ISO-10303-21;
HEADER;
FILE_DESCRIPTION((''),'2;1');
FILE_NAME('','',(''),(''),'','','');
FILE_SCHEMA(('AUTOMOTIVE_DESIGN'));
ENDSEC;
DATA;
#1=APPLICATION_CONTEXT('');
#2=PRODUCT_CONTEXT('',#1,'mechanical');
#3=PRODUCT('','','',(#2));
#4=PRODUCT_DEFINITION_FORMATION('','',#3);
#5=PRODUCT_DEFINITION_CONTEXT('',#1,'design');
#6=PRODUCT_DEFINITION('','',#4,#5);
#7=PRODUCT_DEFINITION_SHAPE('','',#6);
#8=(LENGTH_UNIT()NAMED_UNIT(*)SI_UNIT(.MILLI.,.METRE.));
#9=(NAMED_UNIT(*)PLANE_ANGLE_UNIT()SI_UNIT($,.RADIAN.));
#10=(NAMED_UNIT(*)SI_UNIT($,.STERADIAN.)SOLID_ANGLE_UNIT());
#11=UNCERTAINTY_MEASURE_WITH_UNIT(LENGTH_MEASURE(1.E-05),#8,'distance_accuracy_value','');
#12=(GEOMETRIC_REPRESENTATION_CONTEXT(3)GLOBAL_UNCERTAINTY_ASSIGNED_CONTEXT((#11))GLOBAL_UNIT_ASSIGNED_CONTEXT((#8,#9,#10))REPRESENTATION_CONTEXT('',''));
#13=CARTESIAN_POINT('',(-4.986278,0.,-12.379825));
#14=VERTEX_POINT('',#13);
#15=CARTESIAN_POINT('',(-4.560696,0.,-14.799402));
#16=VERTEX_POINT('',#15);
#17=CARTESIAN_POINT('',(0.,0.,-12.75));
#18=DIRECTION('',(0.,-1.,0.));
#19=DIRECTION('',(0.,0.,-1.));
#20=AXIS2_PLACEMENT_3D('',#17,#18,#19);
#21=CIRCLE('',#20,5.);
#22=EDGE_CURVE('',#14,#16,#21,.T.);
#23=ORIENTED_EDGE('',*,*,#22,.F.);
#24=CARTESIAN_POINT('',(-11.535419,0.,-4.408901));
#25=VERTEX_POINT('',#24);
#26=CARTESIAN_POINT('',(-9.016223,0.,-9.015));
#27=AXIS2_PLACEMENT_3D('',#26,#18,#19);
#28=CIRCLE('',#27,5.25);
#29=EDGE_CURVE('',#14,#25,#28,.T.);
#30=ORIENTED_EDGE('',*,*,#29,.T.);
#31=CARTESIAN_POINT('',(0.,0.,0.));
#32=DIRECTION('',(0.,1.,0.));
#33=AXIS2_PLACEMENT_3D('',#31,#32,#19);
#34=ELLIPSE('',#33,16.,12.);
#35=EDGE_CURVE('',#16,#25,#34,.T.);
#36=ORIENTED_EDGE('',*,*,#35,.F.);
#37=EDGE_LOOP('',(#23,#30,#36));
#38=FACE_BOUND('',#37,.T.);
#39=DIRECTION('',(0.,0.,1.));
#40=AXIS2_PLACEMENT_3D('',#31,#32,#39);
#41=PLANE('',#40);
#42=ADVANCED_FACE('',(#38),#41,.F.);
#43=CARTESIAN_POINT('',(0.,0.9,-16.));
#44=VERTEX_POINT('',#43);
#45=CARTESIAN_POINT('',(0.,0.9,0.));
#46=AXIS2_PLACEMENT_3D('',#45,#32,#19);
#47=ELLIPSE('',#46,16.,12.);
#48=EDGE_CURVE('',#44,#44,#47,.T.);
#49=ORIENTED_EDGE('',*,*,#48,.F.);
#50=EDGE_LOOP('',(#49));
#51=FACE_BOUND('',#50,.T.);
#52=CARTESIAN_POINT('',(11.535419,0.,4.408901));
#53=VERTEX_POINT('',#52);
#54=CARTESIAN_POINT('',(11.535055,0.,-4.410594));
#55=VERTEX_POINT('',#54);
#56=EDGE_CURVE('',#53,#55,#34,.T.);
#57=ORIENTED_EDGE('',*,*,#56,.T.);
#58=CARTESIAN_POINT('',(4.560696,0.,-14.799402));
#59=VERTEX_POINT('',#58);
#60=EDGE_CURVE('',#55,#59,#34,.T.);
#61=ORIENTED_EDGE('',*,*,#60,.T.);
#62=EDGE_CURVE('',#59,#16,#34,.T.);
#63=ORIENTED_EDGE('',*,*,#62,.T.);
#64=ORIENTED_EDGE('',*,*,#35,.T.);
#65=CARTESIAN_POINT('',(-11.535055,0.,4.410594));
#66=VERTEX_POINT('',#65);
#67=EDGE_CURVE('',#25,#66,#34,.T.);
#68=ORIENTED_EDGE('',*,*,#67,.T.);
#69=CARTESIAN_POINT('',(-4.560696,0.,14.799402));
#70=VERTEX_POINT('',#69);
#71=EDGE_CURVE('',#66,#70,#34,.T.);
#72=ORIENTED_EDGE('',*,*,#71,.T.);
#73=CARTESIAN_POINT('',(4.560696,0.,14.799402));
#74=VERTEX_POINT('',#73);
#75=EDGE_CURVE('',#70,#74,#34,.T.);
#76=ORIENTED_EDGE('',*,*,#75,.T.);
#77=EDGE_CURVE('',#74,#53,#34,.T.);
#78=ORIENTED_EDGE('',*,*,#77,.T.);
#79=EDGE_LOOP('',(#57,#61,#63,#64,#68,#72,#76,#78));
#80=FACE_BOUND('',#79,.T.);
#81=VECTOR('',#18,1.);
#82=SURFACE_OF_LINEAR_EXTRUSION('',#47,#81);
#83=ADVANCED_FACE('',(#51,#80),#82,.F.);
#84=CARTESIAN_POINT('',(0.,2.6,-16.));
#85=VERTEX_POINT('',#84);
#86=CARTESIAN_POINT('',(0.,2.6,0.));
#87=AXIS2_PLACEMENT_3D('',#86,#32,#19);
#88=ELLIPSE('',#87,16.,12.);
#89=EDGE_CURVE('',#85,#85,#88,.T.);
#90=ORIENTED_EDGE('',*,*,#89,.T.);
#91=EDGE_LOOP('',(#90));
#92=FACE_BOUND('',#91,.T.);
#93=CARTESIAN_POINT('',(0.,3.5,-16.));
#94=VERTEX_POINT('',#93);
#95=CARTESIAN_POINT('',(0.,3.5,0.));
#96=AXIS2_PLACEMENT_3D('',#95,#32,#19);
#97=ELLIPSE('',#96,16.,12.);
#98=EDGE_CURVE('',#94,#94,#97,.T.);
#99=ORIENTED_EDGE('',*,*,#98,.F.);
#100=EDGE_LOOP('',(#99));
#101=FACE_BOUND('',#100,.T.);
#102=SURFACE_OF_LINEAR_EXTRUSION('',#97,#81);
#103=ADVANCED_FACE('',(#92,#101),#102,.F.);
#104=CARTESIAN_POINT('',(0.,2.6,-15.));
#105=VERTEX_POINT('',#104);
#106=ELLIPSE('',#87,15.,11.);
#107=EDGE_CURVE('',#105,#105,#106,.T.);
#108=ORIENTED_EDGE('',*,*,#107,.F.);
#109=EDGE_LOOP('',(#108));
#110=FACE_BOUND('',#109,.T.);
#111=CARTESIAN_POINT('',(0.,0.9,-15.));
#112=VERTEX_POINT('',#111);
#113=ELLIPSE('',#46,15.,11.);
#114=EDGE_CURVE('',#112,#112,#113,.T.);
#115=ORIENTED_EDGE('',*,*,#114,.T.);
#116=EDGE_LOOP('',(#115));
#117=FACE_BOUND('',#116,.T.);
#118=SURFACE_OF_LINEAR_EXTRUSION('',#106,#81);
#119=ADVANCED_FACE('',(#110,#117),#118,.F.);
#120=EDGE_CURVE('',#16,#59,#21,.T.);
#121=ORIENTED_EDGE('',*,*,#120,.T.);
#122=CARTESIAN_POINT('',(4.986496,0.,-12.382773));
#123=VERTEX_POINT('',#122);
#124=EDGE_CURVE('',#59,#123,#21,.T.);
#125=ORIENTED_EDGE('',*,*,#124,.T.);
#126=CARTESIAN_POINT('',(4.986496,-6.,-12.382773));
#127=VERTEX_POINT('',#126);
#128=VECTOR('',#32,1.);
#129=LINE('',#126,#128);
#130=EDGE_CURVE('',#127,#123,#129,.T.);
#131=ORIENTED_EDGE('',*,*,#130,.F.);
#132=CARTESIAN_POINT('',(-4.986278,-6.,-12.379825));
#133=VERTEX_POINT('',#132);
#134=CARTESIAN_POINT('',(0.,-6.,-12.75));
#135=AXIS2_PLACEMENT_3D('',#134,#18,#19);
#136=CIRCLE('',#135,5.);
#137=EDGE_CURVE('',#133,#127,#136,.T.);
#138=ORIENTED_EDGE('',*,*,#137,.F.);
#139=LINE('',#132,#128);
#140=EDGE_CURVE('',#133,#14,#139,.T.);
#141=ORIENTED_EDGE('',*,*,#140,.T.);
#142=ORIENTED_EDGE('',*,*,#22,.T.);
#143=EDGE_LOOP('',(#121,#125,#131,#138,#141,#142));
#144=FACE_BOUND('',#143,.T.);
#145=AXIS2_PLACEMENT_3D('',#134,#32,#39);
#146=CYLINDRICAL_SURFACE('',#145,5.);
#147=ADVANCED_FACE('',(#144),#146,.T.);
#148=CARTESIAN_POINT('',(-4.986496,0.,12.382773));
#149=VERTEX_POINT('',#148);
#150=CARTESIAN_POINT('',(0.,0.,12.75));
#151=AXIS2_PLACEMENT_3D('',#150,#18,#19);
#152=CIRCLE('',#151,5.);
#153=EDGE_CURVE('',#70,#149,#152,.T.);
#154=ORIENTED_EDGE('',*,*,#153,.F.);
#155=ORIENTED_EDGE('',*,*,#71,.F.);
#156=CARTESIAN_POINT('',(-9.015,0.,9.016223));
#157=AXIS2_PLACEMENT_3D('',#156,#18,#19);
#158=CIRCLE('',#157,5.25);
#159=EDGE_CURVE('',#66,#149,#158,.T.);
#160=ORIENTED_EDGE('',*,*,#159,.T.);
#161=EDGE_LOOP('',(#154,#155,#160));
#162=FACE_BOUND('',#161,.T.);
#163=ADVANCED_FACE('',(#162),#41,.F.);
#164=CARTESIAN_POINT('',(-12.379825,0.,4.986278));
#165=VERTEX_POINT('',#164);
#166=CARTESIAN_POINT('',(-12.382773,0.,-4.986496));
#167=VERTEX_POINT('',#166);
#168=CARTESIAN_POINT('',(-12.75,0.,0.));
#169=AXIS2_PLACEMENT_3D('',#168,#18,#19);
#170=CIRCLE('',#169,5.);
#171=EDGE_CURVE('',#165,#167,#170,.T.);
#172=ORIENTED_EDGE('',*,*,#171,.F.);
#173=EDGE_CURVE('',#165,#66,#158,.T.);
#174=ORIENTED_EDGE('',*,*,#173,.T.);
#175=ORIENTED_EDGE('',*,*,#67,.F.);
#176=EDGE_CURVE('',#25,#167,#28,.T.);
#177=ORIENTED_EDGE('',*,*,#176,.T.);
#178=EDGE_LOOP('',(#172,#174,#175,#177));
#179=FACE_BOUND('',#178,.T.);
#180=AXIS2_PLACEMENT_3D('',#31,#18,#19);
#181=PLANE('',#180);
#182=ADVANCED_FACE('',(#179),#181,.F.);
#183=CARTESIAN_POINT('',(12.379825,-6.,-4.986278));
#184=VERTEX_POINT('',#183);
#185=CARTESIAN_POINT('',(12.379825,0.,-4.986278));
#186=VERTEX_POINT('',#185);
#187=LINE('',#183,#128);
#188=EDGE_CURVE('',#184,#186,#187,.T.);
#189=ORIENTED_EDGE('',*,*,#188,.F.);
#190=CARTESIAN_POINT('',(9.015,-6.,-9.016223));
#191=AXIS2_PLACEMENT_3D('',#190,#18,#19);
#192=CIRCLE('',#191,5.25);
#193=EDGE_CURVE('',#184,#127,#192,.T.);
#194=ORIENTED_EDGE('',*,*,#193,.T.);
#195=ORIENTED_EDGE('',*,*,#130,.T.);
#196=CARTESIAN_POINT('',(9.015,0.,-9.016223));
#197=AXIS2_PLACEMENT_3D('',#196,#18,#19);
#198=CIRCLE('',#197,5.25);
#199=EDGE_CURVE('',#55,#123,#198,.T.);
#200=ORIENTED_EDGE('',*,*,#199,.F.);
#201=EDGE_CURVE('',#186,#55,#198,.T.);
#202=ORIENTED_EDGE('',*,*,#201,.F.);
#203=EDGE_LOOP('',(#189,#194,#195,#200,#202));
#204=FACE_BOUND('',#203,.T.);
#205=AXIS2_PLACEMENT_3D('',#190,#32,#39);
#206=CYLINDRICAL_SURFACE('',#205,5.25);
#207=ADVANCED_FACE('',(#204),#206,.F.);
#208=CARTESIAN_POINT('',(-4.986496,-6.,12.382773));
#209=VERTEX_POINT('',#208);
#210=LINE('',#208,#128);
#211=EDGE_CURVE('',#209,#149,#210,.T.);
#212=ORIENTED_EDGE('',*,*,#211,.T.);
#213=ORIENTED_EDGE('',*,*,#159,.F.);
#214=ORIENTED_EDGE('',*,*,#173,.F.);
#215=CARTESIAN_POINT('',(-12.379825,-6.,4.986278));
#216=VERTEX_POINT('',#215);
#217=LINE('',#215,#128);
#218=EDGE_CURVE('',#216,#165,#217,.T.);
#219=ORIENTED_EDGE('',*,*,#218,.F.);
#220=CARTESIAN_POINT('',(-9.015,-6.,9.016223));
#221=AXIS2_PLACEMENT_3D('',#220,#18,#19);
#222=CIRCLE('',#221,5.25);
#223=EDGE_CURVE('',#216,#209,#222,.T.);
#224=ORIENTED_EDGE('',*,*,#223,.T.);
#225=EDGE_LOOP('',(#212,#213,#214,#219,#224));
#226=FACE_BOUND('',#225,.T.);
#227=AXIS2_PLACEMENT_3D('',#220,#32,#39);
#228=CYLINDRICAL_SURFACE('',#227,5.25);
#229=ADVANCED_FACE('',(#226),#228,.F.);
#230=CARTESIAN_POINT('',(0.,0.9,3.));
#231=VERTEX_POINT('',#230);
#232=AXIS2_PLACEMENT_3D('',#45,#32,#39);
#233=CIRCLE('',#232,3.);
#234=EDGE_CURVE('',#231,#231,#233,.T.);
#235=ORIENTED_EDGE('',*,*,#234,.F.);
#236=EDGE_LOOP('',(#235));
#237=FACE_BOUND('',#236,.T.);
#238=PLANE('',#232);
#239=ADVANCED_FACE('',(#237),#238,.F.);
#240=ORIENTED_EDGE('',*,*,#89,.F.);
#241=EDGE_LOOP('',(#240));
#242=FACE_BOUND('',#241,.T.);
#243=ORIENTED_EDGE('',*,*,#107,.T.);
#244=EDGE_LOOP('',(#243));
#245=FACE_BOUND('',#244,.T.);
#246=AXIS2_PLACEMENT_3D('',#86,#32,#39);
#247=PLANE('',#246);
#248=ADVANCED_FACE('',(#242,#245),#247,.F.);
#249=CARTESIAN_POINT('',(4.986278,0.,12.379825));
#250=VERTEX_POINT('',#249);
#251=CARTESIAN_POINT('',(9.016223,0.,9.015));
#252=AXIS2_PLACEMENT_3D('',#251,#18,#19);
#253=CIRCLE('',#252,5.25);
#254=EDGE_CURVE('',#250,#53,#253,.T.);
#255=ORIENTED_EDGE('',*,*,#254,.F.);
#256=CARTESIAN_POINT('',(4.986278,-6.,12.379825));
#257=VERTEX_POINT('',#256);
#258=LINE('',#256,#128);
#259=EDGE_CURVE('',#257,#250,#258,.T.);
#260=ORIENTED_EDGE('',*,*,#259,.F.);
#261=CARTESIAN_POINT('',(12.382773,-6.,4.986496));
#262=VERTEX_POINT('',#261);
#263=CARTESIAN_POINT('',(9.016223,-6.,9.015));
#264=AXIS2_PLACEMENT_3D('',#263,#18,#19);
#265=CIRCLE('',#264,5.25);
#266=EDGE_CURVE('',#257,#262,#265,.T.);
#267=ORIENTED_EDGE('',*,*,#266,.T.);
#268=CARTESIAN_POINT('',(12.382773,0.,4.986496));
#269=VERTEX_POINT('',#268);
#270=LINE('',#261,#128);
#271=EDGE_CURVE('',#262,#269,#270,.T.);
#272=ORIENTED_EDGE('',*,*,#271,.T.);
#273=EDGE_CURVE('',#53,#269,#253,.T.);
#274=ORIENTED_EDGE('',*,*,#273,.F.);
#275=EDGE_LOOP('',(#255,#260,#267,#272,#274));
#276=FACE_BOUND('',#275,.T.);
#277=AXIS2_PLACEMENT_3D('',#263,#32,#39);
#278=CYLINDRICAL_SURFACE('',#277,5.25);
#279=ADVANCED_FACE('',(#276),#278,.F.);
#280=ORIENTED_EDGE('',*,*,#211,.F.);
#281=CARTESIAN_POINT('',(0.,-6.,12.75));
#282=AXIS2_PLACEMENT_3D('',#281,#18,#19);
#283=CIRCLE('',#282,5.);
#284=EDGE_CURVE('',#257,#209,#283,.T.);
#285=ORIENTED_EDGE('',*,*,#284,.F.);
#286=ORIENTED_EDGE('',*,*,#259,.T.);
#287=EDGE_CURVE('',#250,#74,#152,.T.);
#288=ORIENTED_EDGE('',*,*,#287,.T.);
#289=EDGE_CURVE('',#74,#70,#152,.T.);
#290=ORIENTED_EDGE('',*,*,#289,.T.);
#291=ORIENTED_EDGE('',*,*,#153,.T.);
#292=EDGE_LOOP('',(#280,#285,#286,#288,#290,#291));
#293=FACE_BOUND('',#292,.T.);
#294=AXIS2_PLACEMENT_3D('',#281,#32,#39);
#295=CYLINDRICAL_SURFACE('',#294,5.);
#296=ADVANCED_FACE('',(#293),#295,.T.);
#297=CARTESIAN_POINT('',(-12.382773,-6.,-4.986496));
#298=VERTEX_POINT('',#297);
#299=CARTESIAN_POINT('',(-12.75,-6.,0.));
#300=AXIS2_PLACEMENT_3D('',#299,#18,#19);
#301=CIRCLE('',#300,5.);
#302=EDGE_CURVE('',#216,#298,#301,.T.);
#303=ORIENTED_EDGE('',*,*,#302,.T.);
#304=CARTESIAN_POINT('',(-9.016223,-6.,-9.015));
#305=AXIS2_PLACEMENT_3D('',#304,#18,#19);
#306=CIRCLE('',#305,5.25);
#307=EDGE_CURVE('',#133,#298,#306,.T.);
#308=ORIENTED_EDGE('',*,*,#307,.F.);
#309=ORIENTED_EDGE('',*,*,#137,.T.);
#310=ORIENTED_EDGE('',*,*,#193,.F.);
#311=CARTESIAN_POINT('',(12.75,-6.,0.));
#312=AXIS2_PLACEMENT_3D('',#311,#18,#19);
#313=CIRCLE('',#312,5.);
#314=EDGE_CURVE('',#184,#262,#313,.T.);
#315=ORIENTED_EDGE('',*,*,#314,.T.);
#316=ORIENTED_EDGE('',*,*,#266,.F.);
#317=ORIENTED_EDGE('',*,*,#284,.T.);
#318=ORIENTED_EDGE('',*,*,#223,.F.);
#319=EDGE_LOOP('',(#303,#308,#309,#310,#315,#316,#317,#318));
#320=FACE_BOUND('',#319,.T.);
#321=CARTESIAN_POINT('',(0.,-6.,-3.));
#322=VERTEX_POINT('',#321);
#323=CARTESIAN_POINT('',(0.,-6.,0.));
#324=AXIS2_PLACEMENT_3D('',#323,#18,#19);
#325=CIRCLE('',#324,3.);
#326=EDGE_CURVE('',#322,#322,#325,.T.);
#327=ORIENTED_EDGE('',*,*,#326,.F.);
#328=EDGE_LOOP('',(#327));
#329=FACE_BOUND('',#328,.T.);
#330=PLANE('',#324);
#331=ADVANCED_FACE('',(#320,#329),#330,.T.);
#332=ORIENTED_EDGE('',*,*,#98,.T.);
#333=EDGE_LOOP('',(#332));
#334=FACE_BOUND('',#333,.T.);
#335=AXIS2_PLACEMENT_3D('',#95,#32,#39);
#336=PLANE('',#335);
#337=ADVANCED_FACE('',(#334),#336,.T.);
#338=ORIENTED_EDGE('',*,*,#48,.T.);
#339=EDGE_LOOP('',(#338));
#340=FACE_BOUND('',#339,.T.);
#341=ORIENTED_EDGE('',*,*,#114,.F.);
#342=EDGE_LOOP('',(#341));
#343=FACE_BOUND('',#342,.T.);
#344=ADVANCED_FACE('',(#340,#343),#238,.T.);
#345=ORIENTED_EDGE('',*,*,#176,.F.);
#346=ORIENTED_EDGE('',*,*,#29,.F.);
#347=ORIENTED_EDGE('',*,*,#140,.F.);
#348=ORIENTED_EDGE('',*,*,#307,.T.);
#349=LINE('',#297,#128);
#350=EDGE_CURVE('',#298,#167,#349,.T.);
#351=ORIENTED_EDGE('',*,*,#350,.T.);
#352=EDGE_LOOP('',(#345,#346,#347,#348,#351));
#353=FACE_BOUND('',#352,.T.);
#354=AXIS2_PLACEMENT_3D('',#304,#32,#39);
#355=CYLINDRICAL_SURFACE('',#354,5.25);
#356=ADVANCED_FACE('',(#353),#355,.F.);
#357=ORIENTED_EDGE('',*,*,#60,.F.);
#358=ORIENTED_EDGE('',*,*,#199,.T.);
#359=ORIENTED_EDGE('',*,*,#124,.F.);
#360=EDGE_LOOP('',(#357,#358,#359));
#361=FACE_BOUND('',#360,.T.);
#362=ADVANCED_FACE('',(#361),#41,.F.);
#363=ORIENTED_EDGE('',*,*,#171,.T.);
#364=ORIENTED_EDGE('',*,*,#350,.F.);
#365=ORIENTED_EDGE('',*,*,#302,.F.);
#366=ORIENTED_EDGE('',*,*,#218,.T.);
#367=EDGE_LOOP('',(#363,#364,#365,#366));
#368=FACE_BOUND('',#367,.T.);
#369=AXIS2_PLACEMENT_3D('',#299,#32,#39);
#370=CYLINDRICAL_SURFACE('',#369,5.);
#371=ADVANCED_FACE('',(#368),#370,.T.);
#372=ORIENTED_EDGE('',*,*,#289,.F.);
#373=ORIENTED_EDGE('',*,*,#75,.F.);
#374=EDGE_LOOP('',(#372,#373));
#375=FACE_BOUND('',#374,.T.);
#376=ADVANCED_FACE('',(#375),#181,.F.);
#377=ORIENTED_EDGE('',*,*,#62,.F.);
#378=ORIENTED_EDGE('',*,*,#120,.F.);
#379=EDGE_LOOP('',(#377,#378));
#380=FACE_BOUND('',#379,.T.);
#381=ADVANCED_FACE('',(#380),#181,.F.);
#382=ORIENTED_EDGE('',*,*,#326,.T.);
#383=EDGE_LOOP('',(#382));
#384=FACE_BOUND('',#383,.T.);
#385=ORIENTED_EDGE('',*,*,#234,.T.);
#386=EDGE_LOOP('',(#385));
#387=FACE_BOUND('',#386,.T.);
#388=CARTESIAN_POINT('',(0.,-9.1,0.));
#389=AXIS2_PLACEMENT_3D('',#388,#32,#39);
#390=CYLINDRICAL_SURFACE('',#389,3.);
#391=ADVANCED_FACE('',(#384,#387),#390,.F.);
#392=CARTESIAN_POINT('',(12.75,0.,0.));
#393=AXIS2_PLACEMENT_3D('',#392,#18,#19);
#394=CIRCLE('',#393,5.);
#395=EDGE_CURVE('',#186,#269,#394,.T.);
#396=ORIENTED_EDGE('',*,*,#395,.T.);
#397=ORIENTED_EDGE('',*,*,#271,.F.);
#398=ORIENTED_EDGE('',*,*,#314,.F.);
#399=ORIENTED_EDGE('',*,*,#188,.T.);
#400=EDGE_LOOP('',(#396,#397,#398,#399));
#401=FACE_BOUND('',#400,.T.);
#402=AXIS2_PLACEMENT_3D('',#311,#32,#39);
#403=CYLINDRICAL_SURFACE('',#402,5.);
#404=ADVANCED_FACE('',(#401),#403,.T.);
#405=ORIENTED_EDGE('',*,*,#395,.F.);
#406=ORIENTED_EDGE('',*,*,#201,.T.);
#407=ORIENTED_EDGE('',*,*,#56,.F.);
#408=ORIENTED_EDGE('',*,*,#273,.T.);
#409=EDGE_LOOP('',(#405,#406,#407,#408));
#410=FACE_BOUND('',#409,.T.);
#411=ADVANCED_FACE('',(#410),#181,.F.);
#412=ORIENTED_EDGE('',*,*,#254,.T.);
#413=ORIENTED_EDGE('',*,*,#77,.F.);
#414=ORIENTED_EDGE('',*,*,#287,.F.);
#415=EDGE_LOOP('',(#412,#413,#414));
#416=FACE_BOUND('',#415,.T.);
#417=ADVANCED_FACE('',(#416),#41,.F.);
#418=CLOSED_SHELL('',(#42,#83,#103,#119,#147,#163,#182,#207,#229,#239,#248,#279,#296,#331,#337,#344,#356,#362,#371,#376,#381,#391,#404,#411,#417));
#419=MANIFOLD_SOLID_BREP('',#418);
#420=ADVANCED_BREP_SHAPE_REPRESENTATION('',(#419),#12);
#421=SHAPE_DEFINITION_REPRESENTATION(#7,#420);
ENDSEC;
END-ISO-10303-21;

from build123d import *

# Parameters (mm, degrees)
SKETCH1_RX          = 16
SKETCH1_RY          = 12
BOSS_EXTRUDE1_DEPTH = 0.9
BOSS_EXTRUDE2_DEPTH = 6
SKETCH4_R           = 3
CUT_EXTRUDE1_DEPTH  = 10
SKETCH5_RX          = 15
SKETCH5_RY          = 11
BOSS_EXTRUDE3_DEPTH = 1.7
SKETCH6_RX          = 16
SKETCH6_RY          = 12
BOSS_EXTRUDE4_DEPTH = 0.9


with BuildPart() as part:
    # Sketch1 → Boss-Extrude1 (new body)
    with BuildSketch(Plane(origin=(0, 0, 0), x_dir=(1, 0, 0), z_dir=(0, 1, 0))):
        with Locations(Location((0, 0), (0, 0, 90))):
            Ellipse(SKETCH1_RX, SKETCH1_RY)
    extrude(amount=BOSS_EXTRUDE1_DEPTH)

    # Sketch3 → Boss-Extrude2 (add)
    with BuildSketch(Plane(origin=(0, 0, 0), x_dir=(-1, 0, 0), z_dir=(0, -1, 0))):
        with BuildLine():
            ThreePointArc((12.379824796, -4.986278203), (17.749999782, -0.001477913), (12.382772576, 4.986496167))
            ThreePointArc((12.382772576, 4.986496167), (5.304706978, 5.301894868), (4.986278203, 12.379824796))
            ThreePointArc((4.986278203, 12.379824796), (0.001477913, 17.749999782), (-4.986496167, 12.382772576))
            ThreePointArc((-4.986496167, 12.382772576), (-5.301894868, 5.304706978), (-12.379824796, 4.986278203))
            ThreePointArc((-12.379824796, 4.986278203), (-17.749999782, 0.001477913), (-12.382772576, -4.986496167))
            ThreePointArc((-12.382772576, -4.986496167), (-5.304706978, -5.301894868), (-4.986278203, -12.379824796))
            ThreePointArc((-4.986278203, -12.379824796), (-0.001477913, -17.749999782), (4.986496167, -12.382772576))
            ThreePointArc((4.986496167, -12.382772576), (5.301894868, -5.304706978), (12.379824796, -4.986278203))
        make_face()
    extrude(amount=BOSS_EXTRUDE2_DEPTH)

    # Sketch4 → Cut-Extrude1 (cut)
    with BuildSketch(Plane(origin=(0, 0.9, 0), x_dir=(1, 0, 0), z_dir=(0, 1, 0))):
        Circle(SKETCH4_R)
    extrude(amount=-CUT_EXTRUDE1_DEPTH, mode=Mode.SUBTRACT)

    # Sketch5 → Boss-Extrude3 (add)
    with BuildSketch(Plane(origin=(0, 0.9, 0), x_dir=(1, 0, 0), z_dir=(0, 1, 0))):
        with Locations(Location((0, 0), (0, 0, 90))):
            Ellipse(SKETCH5_RX, SKETCH5_RY)
    extrude(amount=BOSS_EXTRUDE3_DEPTH)

    # Sketch6 → Boss-Extrude4 (add)
    with BuildSketch(Plane(origin=(0, 2.6, 0), x_dir=(1, 0, 0), z_dir=(0, 1, 0))):
        with Locations(Location((0, 0), (0, 0, 90))):
            Ellipse(SKETCH6_RX, SKETCH6_RY)
    extrude(amount=BOSS_EXTRUDE4_DEPTH)


solid = part.part
